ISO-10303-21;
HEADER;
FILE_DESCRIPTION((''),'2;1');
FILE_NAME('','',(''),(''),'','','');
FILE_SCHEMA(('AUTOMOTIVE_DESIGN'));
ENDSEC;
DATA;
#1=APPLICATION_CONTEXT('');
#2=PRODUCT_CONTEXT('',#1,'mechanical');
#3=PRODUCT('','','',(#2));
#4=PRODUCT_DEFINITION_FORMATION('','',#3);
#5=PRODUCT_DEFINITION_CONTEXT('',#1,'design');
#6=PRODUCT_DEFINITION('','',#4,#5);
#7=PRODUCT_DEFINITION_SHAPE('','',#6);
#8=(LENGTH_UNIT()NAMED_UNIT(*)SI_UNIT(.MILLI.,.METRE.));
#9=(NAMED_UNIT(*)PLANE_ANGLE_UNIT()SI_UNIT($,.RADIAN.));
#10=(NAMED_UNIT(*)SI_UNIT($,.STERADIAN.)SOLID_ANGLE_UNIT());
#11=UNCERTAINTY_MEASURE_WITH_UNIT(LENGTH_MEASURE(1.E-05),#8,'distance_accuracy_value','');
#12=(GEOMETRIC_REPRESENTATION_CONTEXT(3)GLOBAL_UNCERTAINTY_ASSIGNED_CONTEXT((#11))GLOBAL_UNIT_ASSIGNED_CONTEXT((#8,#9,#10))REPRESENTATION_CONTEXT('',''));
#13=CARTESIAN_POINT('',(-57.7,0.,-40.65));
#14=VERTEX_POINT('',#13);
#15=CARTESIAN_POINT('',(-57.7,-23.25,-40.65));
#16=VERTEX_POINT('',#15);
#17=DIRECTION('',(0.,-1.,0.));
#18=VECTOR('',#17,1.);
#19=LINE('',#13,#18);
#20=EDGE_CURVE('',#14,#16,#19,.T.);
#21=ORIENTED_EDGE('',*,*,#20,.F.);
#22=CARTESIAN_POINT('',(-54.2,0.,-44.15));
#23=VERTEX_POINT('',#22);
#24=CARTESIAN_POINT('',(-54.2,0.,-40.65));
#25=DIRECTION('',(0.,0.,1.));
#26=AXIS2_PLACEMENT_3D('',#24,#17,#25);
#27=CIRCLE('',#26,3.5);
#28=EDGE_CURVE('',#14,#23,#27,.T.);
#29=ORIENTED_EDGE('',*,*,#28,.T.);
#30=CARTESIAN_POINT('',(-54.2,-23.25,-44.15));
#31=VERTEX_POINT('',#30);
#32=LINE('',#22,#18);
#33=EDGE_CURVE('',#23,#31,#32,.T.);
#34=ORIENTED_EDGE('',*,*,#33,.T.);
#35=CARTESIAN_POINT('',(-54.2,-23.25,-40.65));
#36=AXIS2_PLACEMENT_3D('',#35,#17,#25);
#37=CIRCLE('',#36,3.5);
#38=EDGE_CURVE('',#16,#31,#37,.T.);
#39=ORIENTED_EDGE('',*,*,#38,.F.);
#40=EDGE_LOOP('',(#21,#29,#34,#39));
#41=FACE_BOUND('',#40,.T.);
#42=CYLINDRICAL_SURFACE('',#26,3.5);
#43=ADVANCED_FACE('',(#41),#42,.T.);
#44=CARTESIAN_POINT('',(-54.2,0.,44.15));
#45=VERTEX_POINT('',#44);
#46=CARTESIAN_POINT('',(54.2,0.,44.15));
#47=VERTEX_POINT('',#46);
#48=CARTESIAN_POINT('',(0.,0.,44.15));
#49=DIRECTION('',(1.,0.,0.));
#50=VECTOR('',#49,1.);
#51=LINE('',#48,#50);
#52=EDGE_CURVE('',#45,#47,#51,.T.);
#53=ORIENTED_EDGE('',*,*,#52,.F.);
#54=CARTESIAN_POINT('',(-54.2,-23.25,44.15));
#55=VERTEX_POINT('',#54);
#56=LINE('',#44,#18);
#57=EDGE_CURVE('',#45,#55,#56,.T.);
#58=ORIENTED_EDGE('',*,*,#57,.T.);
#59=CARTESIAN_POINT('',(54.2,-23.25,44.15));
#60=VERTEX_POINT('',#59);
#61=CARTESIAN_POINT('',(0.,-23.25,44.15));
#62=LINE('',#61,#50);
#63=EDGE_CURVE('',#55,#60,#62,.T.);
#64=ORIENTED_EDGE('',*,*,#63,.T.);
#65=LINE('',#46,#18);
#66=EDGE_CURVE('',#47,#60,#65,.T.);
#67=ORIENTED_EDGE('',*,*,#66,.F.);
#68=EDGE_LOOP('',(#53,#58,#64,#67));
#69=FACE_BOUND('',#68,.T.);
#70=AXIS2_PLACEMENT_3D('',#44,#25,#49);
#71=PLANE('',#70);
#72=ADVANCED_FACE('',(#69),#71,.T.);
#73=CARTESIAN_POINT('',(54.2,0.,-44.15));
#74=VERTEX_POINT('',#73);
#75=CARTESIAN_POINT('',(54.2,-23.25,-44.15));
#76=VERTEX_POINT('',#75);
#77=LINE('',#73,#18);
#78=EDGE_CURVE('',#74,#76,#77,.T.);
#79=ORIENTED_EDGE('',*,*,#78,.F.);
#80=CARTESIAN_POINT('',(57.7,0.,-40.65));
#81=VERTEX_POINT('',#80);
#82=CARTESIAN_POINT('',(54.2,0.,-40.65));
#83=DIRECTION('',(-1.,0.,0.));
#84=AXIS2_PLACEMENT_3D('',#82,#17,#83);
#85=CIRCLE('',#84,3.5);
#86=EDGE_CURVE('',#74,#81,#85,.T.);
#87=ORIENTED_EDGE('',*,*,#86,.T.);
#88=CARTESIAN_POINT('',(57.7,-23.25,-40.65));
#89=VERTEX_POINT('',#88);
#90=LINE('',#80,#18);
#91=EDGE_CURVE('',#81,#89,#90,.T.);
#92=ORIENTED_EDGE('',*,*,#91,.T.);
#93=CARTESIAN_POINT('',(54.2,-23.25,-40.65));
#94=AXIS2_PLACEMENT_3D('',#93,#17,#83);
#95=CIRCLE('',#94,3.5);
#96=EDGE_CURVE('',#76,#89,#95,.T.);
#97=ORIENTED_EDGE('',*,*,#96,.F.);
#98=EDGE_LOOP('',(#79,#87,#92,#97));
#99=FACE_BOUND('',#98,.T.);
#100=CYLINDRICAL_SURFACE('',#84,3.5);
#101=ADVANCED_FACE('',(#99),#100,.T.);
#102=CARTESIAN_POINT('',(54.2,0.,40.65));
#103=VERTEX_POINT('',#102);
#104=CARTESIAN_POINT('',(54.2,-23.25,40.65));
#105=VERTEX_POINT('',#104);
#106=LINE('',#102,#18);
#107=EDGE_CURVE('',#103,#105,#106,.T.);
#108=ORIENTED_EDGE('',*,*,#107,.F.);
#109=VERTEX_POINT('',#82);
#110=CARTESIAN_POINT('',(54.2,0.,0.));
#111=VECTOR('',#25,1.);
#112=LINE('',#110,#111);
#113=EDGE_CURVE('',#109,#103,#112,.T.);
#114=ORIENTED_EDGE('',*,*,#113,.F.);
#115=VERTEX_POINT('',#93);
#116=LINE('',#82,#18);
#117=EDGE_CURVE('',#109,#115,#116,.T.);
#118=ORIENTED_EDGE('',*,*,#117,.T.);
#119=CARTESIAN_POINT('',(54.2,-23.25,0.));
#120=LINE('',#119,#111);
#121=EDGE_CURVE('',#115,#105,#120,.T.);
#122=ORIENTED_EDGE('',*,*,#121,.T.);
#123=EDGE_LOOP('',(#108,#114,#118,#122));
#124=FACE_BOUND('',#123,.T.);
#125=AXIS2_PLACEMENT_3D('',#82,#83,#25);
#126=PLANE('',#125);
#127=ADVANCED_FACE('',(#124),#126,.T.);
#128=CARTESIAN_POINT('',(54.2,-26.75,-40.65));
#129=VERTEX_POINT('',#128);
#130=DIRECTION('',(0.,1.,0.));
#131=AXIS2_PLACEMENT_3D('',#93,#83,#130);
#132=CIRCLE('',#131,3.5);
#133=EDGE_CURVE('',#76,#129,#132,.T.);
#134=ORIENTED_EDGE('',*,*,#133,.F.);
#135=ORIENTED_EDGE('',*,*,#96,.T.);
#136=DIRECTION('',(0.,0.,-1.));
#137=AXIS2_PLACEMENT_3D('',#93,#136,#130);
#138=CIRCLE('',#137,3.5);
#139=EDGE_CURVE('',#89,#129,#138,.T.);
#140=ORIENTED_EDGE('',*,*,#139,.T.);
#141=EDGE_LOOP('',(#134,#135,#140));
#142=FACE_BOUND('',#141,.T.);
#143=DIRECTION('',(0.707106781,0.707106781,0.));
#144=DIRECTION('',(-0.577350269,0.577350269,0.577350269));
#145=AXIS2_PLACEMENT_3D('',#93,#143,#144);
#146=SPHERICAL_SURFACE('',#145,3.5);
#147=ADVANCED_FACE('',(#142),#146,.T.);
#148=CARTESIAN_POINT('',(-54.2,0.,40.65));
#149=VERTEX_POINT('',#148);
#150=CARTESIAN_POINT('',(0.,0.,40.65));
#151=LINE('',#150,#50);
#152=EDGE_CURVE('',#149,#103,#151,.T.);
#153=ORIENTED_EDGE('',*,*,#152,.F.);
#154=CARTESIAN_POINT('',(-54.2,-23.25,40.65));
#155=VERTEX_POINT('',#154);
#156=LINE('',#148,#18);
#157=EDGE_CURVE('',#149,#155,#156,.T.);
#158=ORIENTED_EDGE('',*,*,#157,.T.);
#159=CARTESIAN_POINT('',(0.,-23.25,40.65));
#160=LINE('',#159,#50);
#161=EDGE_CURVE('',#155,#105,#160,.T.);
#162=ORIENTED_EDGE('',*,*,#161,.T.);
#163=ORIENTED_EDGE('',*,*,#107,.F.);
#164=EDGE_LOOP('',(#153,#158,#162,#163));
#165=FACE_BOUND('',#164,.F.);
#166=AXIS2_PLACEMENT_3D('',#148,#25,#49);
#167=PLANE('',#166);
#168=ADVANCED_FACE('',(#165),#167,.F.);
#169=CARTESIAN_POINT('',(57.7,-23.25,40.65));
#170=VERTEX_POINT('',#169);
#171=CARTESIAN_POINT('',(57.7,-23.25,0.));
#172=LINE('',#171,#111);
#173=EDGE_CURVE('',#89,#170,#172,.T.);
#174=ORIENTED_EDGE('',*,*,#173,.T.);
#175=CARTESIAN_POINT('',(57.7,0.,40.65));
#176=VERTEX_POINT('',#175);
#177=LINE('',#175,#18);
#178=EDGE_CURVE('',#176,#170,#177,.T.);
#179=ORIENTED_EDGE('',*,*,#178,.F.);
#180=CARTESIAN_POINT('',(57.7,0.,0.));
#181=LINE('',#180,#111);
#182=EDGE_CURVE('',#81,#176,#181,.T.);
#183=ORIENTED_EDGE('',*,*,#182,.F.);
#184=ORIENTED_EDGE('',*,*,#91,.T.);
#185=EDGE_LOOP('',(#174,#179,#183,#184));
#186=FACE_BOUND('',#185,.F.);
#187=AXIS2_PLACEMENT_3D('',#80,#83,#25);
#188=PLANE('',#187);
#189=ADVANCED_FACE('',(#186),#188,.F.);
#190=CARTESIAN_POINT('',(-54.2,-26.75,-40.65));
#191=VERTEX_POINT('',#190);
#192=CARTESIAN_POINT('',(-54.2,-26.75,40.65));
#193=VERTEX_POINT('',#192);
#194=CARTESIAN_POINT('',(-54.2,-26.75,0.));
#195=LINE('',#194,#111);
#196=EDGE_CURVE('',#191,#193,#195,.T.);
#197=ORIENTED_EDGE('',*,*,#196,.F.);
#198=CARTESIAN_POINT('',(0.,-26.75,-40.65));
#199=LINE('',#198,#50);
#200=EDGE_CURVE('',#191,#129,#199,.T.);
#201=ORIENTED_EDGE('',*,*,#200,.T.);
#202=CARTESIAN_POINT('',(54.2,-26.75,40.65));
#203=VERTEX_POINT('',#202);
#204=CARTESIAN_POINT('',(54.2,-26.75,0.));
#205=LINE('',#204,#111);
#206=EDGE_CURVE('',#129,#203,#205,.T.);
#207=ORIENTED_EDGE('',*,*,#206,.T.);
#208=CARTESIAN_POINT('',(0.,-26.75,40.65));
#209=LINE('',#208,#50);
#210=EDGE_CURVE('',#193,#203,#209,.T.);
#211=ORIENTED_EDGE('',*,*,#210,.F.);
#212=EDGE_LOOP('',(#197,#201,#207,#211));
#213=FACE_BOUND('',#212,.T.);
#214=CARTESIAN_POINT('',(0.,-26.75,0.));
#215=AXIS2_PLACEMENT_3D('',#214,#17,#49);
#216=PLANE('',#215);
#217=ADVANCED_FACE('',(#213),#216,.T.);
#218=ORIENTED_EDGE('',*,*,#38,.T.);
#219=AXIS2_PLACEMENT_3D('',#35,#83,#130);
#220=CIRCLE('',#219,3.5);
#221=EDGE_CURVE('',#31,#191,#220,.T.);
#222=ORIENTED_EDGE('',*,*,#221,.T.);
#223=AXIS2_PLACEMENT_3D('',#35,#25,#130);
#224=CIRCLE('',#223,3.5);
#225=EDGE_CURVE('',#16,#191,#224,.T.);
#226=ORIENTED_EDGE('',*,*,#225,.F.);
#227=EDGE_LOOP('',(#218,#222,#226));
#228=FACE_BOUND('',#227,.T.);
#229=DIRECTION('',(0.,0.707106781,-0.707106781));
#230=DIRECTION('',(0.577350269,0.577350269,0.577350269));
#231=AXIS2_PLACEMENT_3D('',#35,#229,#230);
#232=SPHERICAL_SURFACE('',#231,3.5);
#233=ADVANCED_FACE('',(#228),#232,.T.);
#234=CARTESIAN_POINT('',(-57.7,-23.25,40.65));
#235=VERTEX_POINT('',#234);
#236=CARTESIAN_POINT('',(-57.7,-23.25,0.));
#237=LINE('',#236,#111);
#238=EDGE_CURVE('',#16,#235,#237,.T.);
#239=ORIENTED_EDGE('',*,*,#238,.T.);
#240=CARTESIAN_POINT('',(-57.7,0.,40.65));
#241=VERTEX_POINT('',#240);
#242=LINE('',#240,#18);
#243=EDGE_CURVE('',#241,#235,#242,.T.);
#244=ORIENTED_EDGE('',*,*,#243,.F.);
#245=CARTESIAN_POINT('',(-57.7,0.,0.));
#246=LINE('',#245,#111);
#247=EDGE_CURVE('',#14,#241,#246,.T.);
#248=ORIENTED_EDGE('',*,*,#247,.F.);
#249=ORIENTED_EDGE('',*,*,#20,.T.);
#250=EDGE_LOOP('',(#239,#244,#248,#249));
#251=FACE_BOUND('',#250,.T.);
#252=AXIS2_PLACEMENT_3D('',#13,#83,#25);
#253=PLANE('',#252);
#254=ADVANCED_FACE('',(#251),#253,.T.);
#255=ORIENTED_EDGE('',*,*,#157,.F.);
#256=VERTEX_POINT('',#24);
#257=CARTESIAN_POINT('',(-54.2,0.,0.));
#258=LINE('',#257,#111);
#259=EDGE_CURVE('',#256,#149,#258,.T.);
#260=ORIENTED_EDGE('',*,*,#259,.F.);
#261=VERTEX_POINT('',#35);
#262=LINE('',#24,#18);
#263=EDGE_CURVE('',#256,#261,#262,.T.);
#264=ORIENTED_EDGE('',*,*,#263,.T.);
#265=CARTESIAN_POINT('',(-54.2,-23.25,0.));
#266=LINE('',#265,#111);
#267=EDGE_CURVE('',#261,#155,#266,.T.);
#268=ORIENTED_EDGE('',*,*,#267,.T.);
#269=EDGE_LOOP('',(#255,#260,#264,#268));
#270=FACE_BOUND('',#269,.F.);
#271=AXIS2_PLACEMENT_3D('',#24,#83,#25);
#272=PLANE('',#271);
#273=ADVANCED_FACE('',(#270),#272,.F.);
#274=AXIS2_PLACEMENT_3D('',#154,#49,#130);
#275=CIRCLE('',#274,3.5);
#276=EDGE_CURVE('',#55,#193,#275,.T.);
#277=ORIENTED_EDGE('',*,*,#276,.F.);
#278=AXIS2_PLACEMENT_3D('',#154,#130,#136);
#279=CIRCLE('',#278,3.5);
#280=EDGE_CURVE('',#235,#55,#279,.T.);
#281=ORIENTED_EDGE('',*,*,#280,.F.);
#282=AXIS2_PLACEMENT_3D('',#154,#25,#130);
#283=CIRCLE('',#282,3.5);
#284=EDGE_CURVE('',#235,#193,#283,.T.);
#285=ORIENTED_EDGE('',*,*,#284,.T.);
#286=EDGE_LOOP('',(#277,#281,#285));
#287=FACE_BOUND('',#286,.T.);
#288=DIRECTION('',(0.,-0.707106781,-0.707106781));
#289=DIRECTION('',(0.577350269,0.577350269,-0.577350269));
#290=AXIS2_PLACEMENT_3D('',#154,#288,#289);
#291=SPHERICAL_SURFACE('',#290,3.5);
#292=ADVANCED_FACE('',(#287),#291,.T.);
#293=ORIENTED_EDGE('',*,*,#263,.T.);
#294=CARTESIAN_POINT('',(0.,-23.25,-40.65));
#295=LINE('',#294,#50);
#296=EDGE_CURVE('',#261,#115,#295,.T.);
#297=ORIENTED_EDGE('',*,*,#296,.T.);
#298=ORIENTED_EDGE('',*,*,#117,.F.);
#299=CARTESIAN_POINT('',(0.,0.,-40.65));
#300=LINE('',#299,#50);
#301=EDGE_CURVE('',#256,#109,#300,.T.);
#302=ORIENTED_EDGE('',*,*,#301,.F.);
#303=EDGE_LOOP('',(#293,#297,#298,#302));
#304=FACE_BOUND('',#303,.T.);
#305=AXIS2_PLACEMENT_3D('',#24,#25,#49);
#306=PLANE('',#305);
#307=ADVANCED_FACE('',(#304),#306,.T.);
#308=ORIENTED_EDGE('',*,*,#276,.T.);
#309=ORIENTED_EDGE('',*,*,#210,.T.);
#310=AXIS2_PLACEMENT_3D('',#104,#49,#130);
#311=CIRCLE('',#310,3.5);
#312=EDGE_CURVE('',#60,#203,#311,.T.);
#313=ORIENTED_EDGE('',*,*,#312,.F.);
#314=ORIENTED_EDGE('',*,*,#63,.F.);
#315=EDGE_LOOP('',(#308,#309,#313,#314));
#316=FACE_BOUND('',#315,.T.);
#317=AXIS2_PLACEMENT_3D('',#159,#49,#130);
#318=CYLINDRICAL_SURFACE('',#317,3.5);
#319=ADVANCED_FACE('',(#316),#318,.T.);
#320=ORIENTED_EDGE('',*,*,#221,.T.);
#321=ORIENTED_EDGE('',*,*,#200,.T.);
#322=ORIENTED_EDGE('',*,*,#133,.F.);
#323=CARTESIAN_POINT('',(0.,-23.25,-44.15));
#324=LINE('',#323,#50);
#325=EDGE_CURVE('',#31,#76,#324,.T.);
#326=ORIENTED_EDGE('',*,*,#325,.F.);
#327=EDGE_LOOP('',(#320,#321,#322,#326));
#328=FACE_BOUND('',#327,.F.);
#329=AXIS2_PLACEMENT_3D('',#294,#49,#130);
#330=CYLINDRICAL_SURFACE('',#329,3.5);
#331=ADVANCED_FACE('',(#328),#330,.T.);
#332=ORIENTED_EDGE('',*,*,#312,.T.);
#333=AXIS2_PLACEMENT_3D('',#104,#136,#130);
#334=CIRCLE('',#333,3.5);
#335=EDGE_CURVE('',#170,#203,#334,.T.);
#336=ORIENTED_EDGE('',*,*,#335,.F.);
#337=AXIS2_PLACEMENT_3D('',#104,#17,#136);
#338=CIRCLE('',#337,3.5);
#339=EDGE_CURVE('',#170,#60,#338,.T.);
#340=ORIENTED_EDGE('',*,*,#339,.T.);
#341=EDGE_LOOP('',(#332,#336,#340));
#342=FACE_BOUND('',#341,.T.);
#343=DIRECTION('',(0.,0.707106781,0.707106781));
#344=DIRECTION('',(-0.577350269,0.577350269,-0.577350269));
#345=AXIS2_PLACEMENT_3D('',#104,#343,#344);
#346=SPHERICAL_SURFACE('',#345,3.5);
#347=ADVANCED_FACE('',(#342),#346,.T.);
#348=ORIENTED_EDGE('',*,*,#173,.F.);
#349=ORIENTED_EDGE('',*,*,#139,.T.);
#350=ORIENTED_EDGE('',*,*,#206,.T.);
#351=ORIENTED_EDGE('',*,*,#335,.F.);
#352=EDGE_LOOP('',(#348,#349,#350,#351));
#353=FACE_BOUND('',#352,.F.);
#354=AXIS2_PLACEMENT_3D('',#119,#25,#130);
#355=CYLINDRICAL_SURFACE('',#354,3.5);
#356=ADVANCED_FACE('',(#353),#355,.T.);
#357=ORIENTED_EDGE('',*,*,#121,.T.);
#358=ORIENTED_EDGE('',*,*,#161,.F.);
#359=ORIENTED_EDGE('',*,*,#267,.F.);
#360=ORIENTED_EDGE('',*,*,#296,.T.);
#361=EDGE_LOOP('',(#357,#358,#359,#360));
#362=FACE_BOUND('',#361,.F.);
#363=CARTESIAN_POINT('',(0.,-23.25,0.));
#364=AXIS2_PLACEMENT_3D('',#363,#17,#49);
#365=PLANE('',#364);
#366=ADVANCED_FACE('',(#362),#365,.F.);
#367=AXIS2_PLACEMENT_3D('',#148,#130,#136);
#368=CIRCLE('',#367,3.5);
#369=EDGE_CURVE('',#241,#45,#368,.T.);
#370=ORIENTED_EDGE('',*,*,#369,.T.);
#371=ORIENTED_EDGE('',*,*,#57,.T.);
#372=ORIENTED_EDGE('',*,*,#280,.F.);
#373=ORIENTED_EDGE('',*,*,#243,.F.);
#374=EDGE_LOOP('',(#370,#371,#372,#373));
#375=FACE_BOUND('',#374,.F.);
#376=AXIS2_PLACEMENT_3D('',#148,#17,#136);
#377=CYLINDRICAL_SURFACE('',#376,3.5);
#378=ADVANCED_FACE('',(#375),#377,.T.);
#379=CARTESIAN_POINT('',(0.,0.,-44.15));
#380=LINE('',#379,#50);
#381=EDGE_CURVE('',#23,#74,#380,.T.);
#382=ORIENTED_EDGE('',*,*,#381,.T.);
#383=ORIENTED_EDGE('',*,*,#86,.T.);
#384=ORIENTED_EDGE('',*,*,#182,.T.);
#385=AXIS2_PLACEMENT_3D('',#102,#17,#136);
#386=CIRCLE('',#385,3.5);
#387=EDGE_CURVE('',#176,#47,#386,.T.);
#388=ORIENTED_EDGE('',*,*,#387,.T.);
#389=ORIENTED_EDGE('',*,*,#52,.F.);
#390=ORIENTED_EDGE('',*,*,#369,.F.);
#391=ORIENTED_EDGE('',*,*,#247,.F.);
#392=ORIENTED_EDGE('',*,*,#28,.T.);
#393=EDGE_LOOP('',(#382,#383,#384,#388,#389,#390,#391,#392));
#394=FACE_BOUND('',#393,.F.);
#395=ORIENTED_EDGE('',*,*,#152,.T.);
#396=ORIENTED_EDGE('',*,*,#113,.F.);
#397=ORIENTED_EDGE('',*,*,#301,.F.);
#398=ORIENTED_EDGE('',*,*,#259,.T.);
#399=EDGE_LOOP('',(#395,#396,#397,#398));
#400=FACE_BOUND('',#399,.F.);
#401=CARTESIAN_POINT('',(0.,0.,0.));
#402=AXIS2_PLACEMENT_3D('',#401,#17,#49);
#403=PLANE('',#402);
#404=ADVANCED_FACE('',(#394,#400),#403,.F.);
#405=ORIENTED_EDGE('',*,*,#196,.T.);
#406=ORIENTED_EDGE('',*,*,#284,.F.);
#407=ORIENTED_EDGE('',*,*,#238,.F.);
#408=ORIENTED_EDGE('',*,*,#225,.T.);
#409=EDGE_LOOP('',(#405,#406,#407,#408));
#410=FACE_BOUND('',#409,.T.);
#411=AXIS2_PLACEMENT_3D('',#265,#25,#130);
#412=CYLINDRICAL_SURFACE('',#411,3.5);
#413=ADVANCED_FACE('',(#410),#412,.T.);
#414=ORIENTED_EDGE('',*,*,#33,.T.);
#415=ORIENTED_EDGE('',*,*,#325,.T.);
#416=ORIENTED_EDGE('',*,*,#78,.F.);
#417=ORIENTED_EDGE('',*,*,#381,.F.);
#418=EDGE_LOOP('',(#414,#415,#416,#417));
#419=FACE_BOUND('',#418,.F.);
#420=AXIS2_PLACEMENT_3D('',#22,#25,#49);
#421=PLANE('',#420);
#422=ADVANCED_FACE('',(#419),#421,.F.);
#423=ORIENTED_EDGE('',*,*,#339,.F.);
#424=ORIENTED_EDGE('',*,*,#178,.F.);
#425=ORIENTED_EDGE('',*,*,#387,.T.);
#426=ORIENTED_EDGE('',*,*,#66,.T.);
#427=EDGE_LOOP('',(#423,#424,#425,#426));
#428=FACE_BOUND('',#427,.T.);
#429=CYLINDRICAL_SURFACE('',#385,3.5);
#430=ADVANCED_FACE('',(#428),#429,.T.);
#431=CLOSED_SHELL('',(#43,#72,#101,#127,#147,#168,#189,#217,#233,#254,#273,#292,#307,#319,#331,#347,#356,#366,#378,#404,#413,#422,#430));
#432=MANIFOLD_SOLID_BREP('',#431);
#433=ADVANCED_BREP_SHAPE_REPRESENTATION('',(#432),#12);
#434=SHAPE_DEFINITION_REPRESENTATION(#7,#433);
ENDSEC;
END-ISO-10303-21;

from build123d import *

# Parameters (mm, degrees)
SKETCH_W    = 108.4
SKETCH_H    = 81.3
PAD_DEPTH   = 23.25
THICKNESS_T = 3.5


with BuildPart() as part:
    # Sketch → Pad (new body)
    with BuildSketch(Plane.XZ):
        Rectangle(SKETCH_W, SKETCH_H)
    extrude(amount=PAD_DEPTH)

    # Thickness
    thickness_openings = [part.faces().sort_by_distance(p)[0] for p in [
        (0, 0, 0),
    ]]
    offset(amount=THICKNESS_T, openings=thickness_openings)


solid = part.part
